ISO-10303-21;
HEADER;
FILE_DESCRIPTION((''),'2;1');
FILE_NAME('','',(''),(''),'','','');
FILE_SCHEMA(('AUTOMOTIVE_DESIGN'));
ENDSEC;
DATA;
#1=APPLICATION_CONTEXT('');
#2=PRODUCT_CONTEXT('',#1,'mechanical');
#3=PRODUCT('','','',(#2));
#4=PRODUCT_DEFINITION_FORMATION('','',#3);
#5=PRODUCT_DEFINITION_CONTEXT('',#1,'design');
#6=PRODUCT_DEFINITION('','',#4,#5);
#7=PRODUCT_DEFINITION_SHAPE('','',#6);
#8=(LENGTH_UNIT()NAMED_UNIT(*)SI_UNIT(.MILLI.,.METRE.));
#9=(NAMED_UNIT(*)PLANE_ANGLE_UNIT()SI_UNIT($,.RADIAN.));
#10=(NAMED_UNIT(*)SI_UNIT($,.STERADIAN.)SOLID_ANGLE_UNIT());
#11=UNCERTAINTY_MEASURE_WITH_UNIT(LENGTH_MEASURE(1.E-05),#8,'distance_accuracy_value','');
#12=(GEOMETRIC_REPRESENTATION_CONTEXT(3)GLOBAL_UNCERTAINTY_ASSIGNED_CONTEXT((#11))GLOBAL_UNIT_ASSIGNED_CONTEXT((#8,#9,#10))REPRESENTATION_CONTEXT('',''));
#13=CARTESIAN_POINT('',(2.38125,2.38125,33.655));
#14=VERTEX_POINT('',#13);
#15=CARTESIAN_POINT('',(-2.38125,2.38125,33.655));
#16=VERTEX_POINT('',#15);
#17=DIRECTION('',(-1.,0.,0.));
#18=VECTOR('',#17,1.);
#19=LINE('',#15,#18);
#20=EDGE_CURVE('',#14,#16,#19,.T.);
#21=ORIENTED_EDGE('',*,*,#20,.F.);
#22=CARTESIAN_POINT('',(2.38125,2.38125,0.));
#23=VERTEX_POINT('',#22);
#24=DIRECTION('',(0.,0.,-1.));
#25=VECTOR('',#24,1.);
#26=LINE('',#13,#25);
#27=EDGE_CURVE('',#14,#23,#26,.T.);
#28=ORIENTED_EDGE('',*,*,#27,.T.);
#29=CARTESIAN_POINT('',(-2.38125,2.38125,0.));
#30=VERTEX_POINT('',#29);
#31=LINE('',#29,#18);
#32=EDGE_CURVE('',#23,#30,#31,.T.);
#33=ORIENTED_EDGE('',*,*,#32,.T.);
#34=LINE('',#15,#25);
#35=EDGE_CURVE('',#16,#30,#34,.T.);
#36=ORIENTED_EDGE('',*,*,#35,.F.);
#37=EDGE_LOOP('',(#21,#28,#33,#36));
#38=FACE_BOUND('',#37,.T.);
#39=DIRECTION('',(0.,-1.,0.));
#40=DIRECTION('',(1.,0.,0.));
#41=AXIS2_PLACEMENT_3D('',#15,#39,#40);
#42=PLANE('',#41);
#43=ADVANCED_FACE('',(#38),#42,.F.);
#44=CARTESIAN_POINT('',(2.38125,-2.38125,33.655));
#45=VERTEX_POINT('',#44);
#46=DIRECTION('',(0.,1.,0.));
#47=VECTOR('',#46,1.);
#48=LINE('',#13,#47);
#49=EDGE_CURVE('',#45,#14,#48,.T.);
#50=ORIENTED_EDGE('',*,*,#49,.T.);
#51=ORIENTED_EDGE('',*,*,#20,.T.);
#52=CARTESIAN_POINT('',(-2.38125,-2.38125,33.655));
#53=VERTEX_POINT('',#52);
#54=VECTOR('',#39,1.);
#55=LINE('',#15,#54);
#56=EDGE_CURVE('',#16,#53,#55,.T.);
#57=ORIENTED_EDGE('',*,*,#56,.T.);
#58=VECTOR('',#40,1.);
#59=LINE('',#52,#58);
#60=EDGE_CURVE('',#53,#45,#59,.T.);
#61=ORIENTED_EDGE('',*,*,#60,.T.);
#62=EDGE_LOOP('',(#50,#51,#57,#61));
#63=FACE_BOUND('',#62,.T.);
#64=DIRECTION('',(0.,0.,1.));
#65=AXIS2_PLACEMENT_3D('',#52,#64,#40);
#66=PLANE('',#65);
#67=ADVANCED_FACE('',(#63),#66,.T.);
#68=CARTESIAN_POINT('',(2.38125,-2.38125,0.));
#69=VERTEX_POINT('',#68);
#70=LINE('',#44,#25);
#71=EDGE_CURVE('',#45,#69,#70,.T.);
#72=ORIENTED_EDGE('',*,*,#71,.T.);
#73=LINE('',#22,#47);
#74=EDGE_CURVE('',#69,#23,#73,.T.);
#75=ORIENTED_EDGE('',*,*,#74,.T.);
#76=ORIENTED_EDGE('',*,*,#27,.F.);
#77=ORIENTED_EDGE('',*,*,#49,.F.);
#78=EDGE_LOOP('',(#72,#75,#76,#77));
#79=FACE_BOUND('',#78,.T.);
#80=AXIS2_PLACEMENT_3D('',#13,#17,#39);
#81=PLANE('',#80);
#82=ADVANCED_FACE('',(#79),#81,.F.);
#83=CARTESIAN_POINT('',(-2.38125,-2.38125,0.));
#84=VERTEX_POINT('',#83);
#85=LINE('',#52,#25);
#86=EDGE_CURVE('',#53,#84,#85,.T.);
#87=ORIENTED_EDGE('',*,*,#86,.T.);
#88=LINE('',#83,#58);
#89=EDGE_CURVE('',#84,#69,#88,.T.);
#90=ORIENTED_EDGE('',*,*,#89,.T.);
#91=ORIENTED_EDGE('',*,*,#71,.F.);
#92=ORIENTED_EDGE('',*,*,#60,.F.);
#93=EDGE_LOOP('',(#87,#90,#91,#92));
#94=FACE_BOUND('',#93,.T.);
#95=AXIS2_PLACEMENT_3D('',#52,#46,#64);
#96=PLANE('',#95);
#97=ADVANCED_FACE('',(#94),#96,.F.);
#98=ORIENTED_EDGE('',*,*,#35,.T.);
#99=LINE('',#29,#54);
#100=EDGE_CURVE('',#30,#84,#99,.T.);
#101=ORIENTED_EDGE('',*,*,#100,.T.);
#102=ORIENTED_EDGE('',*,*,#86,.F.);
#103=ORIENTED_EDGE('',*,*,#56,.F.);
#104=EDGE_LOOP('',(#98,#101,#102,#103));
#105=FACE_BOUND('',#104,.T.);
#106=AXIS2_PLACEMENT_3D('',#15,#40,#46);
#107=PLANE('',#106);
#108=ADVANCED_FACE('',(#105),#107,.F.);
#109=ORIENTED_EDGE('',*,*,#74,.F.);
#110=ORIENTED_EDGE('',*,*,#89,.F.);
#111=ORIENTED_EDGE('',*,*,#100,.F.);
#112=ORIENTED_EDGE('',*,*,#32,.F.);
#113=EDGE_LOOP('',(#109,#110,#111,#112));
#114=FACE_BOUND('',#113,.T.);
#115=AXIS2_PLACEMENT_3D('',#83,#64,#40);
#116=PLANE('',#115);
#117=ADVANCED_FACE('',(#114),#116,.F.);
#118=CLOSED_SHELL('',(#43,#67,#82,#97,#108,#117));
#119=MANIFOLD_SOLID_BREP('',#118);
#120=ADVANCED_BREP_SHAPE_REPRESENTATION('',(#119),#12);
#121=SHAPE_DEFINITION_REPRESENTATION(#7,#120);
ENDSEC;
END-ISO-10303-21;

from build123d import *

# Parameters (mm, degrees)
SKETCH1_W      = 4.7625
SKETCH1_H      = 4.7625
EXTRUDE1_DEPTH = 33.655


with BuildPart() as part:
    # sketch1 → Extrude1 (new body)
    with BuildSketch(Plane.XY):
        Rectangle(SKETCH1_W, SKETCH1_H)
    extrude(amount=EXTRUDE1_DEPTH)


solid = part.part
